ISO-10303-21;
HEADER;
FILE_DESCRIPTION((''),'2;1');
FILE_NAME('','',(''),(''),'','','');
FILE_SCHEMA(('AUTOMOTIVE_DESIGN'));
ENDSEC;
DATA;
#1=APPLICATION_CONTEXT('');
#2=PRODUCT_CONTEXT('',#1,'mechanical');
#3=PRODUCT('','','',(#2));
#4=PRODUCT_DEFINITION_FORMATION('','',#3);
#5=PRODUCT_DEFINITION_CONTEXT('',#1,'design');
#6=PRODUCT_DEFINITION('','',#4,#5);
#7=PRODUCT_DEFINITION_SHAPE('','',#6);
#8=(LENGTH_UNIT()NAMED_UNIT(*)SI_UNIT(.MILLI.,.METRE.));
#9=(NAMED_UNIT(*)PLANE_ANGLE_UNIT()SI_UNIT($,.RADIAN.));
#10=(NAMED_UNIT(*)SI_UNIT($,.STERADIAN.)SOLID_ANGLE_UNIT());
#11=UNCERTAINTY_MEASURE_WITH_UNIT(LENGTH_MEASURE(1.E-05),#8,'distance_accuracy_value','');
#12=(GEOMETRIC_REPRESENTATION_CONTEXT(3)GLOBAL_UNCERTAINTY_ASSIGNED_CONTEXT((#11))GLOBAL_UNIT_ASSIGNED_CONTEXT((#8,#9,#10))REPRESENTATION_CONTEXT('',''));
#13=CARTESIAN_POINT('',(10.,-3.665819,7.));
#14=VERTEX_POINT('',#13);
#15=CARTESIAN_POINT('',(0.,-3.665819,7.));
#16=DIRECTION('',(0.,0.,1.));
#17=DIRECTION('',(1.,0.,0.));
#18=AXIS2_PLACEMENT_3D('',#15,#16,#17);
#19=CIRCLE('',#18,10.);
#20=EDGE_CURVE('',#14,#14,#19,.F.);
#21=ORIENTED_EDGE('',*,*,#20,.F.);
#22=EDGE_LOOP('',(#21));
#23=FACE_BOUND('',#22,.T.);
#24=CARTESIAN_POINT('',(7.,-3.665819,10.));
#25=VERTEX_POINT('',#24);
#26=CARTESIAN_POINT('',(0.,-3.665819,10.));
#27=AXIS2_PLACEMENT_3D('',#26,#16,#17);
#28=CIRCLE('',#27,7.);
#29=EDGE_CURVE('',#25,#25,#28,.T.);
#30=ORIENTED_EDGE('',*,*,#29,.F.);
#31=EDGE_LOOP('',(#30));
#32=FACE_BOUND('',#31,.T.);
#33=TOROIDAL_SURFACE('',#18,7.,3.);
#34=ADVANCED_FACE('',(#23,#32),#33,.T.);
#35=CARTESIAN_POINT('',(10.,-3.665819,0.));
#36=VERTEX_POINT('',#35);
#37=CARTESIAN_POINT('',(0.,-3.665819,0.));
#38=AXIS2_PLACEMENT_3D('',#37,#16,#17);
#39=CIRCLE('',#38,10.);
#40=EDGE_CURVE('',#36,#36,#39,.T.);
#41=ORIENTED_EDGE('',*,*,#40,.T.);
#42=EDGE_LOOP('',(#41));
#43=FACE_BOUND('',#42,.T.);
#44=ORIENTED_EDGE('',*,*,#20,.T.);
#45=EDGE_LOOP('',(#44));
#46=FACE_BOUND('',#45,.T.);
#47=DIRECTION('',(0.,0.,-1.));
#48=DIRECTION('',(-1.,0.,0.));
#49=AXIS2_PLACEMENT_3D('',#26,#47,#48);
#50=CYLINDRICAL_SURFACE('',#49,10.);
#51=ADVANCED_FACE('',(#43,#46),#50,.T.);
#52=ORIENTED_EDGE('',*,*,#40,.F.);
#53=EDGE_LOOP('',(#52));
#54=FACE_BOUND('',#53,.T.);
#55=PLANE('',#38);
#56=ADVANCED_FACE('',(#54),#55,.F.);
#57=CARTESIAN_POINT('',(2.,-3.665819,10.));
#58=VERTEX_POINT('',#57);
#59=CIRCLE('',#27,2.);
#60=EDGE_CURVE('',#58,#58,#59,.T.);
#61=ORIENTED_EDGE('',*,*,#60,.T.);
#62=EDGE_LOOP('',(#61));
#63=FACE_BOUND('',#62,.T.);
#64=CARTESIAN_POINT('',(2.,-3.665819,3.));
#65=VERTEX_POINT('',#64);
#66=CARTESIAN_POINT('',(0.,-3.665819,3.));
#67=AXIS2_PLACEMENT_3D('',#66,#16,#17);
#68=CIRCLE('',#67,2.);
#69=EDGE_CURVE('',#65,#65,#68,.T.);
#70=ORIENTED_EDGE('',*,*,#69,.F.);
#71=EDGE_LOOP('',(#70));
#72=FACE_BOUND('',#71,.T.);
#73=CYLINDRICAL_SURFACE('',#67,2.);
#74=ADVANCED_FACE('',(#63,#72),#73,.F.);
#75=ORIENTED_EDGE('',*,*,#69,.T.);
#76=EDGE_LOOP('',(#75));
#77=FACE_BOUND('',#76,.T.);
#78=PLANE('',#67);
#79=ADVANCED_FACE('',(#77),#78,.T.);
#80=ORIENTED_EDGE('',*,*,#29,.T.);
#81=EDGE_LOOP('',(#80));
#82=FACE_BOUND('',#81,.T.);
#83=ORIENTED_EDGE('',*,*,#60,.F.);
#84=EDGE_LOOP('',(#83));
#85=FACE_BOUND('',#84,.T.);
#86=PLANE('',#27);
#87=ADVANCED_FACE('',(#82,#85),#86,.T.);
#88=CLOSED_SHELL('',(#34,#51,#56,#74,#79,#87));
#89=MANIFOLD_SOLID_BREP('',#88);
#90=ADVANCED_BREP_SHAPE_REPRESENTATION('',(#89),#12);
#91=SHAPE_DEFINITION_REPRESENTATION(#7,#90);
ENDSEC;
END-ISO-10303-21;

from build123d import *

# Parameters (mm, degrees)
SKETCH1_R           = 10
BOSS_EXTRUDE1_DEPTH = 10
FILLET1_R           = 3
SKETCH2_R           = 2
CUT_EXTRUDE1_DEPTH  = 7


with BuildPart() as part:
    # Sketch1 → Boss-Extrude1 (new body)
    with BuildSketch(Plane.XY):
        with Locations((0, -3.665819089)):
            Circle(SKETCH1_R)
    extrude(amount=BOSS_EXTRUDE1_DEPTH)

    # Fillet1
    fillet1_edges = [part.edges().sort_by_distance(p)[0] for p in [
        (-10, -3.665819089, 10),
    ]]
    fillet(fillet1_edges, radius=FILLET1_R)

    # Sketch2 → Cut-Extrude1 (cut)
    with BuildSketch(Plane.XY.offset(10)):
        with Locations((0, -3.665819089)):
            Circle(SKETCH2_R)
    extrude(amount=-CUT_EXTRUDE1_DEPTH, mode=Mode.SUBTRACT)


solid = part.part
